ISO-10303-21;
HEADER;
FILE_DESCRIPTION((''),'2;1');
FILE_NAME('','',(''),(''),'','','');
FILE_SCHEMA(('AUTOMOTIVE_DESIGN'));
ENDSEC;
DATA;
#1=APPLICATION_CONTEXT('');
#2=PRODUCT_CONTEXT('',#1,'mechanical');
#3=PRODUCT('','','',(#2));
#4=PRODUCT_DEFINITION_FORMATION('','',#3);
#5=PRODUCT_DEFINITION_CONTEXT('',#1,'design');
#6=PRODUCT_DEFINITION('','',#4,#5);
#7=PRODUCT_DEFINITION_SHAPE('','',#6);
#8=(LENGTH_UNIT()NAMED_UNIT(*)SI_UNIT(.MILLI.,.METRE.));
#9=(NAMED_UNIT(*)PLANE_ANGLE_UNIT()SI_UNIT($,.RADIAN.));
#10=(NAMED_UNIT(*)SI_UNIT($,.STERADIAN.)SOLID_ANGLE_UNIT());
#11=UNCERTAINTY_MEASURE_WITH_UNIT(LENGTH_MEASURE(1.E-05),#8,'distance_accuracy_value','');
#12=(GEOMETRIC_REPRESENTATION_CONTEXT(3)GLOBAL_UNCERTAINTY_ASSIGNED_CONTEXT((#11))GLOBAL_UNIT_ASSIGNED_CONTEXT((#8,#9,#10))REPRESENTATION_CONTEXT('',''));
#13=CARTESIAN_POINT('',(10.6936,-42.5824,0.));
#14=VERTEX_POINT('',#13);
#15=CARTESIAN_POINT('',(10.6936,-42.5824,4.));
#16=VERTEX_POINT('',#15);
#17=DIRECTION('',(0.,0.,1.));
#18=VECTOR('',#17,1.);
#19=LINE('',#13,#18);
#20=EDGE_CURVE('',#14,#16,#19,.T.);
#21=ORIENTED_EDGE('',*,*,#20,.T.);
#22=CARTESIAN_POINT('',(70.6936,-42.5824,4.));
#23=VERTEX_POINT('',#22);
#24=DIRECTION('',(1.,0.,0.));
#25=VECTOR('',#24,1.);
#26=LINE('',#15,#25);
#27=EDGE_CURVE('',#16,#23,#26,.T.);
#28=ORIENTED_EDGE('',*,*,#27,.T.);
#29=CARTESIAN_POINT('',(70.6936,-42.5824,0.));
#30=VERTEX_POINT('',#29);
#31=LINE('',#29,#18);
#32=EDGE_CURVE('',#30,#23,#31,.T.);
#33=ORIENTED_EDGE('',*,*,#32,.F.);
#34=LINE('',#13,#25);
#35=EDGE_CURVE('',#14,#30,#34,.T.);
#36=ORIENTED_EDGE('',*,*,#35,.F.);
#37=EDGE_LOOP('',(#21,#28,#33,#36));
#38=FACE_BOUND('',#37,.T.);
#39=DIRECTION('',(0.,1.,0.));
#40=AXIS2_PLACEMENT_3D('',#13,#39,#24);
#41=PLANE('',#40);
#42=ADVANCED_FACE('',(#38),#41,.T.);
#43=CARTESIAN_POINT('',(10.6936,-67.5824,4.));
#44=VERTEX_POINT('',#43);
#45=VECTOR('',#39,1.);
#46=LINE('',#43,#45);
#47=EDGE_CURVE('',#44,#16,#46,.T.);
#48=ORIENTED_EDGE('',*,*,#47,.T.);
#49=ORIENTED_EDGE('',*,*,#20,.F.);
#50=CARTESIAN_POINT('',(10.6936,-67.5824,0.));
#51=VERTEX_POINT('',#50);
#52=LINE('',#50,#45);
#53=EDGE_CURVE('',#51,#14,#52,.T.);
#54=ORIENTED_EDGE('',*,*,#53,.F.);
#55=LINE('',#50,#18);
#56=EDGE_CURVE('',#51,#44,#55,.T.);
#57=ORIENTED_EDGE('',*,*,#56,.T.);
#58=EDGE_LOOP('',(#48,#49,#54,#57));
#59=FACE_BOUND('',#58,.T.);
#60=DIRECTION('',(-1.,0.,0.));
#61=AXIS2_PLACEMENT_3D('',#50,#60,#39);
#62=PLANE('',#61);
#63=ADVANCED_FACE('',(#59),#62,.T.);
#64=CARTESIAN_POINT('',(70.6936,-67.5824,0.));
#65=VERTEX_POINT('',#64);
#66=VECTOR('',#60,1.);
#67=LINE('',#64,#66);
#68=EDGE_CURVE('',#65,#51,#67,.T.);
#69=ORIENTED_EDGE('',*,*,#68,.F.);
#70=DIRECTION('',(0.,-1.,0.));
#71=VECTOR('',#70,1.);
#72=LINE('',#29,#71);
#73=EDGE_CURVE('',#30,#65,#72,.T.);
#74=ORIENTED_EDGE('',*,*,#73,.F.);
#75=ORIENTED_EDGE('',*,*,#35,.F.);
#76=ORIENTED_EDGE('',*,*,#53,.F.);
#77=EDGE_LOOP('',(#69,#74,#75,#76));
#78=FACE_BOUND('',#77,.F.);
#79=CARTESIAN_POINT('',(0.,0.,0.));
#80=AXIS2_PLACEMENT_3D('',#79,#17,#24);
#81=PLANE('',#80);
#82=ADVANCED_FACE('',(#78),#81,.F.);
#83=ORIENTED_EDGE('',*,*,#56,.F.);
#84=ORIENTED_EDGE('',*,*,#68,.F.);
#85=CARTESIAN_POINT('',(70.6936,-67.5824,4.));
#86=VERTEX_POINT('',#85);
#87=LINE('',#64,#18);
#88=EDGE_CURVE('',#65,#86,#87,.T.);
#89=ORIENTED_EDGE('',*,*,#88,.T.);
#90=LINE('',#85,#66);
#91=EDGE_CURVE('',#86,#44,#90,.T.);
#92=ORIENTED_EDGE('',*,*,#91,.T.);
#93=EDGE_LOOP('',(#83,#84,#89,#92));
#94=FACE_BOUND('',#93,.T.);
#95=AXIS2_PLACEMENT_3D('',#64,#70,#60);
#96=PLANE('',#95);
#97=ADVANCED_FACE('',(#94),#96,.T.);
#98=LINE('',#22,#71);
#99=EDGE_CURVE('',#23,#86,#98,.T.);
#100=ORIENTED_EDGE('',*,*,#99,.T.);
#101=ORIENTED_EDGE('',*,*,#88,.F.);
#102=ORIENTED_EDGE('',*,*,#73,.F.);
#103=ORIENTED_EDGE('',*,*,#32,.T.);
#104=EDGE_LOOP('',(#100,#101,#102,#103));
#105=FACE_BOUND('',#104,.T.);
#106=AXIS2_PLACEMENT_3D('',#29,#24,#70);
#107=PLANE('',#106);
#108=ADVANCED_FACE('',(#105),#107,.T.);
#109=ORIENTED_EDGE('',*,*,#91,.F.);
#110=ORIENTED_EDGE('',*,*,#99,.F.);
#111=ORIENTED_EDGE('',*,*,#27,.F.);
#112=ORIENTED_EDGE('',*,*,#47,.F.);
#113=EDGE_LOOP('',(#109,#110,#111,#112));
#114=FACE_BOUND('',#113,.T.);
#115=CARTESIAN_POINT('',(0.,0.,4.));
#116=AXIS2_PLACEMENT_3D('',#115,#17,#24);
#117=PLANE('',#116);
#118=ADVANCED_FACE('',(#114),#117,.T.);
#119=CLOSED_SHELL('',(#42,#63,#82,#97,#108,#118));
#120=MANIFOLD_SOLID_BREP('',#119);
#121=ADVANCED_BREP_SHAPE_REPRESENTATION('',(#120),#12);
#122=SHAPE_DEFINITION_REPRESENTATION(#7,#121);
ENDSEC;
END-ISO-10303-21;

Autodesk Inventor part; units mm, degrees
ref_plane "YZ Plane" through (0, 0, 0) normal (1, 0, 0) x (0, 1, 0)
ref_plane "XZ Plane" through (0, 0, 0) normal (0, 1, 0) x (-1, 0, 0)
ref_plane "XY Plane" through (0, 0, 0) normal (0, 0, 1) x (1, 0, 0)
sketch "Эскиз1" plane through (0, 0, 0) normal (0, 0, 1) x (1, 0, 0)
  line L0 (10.6936, -42.5824) -> (70.6936, -42.5824)
  line L1 (70.6936, -42.5824) -> (70.6936, -67.5824)
  line L2 (70.6936, -67.5824) -> (10.6936, -67.5824)
  line L3 (10.6936, -67.5824) -> (10.6936, -42.5824)
  point P0 (0, 0)
  dimension "d0" = 60
  dimension "d1" = 25
extrude "Выдавливание1" add sketch "Эскиз1" along normal blind 4
properties part number "Mwire"
